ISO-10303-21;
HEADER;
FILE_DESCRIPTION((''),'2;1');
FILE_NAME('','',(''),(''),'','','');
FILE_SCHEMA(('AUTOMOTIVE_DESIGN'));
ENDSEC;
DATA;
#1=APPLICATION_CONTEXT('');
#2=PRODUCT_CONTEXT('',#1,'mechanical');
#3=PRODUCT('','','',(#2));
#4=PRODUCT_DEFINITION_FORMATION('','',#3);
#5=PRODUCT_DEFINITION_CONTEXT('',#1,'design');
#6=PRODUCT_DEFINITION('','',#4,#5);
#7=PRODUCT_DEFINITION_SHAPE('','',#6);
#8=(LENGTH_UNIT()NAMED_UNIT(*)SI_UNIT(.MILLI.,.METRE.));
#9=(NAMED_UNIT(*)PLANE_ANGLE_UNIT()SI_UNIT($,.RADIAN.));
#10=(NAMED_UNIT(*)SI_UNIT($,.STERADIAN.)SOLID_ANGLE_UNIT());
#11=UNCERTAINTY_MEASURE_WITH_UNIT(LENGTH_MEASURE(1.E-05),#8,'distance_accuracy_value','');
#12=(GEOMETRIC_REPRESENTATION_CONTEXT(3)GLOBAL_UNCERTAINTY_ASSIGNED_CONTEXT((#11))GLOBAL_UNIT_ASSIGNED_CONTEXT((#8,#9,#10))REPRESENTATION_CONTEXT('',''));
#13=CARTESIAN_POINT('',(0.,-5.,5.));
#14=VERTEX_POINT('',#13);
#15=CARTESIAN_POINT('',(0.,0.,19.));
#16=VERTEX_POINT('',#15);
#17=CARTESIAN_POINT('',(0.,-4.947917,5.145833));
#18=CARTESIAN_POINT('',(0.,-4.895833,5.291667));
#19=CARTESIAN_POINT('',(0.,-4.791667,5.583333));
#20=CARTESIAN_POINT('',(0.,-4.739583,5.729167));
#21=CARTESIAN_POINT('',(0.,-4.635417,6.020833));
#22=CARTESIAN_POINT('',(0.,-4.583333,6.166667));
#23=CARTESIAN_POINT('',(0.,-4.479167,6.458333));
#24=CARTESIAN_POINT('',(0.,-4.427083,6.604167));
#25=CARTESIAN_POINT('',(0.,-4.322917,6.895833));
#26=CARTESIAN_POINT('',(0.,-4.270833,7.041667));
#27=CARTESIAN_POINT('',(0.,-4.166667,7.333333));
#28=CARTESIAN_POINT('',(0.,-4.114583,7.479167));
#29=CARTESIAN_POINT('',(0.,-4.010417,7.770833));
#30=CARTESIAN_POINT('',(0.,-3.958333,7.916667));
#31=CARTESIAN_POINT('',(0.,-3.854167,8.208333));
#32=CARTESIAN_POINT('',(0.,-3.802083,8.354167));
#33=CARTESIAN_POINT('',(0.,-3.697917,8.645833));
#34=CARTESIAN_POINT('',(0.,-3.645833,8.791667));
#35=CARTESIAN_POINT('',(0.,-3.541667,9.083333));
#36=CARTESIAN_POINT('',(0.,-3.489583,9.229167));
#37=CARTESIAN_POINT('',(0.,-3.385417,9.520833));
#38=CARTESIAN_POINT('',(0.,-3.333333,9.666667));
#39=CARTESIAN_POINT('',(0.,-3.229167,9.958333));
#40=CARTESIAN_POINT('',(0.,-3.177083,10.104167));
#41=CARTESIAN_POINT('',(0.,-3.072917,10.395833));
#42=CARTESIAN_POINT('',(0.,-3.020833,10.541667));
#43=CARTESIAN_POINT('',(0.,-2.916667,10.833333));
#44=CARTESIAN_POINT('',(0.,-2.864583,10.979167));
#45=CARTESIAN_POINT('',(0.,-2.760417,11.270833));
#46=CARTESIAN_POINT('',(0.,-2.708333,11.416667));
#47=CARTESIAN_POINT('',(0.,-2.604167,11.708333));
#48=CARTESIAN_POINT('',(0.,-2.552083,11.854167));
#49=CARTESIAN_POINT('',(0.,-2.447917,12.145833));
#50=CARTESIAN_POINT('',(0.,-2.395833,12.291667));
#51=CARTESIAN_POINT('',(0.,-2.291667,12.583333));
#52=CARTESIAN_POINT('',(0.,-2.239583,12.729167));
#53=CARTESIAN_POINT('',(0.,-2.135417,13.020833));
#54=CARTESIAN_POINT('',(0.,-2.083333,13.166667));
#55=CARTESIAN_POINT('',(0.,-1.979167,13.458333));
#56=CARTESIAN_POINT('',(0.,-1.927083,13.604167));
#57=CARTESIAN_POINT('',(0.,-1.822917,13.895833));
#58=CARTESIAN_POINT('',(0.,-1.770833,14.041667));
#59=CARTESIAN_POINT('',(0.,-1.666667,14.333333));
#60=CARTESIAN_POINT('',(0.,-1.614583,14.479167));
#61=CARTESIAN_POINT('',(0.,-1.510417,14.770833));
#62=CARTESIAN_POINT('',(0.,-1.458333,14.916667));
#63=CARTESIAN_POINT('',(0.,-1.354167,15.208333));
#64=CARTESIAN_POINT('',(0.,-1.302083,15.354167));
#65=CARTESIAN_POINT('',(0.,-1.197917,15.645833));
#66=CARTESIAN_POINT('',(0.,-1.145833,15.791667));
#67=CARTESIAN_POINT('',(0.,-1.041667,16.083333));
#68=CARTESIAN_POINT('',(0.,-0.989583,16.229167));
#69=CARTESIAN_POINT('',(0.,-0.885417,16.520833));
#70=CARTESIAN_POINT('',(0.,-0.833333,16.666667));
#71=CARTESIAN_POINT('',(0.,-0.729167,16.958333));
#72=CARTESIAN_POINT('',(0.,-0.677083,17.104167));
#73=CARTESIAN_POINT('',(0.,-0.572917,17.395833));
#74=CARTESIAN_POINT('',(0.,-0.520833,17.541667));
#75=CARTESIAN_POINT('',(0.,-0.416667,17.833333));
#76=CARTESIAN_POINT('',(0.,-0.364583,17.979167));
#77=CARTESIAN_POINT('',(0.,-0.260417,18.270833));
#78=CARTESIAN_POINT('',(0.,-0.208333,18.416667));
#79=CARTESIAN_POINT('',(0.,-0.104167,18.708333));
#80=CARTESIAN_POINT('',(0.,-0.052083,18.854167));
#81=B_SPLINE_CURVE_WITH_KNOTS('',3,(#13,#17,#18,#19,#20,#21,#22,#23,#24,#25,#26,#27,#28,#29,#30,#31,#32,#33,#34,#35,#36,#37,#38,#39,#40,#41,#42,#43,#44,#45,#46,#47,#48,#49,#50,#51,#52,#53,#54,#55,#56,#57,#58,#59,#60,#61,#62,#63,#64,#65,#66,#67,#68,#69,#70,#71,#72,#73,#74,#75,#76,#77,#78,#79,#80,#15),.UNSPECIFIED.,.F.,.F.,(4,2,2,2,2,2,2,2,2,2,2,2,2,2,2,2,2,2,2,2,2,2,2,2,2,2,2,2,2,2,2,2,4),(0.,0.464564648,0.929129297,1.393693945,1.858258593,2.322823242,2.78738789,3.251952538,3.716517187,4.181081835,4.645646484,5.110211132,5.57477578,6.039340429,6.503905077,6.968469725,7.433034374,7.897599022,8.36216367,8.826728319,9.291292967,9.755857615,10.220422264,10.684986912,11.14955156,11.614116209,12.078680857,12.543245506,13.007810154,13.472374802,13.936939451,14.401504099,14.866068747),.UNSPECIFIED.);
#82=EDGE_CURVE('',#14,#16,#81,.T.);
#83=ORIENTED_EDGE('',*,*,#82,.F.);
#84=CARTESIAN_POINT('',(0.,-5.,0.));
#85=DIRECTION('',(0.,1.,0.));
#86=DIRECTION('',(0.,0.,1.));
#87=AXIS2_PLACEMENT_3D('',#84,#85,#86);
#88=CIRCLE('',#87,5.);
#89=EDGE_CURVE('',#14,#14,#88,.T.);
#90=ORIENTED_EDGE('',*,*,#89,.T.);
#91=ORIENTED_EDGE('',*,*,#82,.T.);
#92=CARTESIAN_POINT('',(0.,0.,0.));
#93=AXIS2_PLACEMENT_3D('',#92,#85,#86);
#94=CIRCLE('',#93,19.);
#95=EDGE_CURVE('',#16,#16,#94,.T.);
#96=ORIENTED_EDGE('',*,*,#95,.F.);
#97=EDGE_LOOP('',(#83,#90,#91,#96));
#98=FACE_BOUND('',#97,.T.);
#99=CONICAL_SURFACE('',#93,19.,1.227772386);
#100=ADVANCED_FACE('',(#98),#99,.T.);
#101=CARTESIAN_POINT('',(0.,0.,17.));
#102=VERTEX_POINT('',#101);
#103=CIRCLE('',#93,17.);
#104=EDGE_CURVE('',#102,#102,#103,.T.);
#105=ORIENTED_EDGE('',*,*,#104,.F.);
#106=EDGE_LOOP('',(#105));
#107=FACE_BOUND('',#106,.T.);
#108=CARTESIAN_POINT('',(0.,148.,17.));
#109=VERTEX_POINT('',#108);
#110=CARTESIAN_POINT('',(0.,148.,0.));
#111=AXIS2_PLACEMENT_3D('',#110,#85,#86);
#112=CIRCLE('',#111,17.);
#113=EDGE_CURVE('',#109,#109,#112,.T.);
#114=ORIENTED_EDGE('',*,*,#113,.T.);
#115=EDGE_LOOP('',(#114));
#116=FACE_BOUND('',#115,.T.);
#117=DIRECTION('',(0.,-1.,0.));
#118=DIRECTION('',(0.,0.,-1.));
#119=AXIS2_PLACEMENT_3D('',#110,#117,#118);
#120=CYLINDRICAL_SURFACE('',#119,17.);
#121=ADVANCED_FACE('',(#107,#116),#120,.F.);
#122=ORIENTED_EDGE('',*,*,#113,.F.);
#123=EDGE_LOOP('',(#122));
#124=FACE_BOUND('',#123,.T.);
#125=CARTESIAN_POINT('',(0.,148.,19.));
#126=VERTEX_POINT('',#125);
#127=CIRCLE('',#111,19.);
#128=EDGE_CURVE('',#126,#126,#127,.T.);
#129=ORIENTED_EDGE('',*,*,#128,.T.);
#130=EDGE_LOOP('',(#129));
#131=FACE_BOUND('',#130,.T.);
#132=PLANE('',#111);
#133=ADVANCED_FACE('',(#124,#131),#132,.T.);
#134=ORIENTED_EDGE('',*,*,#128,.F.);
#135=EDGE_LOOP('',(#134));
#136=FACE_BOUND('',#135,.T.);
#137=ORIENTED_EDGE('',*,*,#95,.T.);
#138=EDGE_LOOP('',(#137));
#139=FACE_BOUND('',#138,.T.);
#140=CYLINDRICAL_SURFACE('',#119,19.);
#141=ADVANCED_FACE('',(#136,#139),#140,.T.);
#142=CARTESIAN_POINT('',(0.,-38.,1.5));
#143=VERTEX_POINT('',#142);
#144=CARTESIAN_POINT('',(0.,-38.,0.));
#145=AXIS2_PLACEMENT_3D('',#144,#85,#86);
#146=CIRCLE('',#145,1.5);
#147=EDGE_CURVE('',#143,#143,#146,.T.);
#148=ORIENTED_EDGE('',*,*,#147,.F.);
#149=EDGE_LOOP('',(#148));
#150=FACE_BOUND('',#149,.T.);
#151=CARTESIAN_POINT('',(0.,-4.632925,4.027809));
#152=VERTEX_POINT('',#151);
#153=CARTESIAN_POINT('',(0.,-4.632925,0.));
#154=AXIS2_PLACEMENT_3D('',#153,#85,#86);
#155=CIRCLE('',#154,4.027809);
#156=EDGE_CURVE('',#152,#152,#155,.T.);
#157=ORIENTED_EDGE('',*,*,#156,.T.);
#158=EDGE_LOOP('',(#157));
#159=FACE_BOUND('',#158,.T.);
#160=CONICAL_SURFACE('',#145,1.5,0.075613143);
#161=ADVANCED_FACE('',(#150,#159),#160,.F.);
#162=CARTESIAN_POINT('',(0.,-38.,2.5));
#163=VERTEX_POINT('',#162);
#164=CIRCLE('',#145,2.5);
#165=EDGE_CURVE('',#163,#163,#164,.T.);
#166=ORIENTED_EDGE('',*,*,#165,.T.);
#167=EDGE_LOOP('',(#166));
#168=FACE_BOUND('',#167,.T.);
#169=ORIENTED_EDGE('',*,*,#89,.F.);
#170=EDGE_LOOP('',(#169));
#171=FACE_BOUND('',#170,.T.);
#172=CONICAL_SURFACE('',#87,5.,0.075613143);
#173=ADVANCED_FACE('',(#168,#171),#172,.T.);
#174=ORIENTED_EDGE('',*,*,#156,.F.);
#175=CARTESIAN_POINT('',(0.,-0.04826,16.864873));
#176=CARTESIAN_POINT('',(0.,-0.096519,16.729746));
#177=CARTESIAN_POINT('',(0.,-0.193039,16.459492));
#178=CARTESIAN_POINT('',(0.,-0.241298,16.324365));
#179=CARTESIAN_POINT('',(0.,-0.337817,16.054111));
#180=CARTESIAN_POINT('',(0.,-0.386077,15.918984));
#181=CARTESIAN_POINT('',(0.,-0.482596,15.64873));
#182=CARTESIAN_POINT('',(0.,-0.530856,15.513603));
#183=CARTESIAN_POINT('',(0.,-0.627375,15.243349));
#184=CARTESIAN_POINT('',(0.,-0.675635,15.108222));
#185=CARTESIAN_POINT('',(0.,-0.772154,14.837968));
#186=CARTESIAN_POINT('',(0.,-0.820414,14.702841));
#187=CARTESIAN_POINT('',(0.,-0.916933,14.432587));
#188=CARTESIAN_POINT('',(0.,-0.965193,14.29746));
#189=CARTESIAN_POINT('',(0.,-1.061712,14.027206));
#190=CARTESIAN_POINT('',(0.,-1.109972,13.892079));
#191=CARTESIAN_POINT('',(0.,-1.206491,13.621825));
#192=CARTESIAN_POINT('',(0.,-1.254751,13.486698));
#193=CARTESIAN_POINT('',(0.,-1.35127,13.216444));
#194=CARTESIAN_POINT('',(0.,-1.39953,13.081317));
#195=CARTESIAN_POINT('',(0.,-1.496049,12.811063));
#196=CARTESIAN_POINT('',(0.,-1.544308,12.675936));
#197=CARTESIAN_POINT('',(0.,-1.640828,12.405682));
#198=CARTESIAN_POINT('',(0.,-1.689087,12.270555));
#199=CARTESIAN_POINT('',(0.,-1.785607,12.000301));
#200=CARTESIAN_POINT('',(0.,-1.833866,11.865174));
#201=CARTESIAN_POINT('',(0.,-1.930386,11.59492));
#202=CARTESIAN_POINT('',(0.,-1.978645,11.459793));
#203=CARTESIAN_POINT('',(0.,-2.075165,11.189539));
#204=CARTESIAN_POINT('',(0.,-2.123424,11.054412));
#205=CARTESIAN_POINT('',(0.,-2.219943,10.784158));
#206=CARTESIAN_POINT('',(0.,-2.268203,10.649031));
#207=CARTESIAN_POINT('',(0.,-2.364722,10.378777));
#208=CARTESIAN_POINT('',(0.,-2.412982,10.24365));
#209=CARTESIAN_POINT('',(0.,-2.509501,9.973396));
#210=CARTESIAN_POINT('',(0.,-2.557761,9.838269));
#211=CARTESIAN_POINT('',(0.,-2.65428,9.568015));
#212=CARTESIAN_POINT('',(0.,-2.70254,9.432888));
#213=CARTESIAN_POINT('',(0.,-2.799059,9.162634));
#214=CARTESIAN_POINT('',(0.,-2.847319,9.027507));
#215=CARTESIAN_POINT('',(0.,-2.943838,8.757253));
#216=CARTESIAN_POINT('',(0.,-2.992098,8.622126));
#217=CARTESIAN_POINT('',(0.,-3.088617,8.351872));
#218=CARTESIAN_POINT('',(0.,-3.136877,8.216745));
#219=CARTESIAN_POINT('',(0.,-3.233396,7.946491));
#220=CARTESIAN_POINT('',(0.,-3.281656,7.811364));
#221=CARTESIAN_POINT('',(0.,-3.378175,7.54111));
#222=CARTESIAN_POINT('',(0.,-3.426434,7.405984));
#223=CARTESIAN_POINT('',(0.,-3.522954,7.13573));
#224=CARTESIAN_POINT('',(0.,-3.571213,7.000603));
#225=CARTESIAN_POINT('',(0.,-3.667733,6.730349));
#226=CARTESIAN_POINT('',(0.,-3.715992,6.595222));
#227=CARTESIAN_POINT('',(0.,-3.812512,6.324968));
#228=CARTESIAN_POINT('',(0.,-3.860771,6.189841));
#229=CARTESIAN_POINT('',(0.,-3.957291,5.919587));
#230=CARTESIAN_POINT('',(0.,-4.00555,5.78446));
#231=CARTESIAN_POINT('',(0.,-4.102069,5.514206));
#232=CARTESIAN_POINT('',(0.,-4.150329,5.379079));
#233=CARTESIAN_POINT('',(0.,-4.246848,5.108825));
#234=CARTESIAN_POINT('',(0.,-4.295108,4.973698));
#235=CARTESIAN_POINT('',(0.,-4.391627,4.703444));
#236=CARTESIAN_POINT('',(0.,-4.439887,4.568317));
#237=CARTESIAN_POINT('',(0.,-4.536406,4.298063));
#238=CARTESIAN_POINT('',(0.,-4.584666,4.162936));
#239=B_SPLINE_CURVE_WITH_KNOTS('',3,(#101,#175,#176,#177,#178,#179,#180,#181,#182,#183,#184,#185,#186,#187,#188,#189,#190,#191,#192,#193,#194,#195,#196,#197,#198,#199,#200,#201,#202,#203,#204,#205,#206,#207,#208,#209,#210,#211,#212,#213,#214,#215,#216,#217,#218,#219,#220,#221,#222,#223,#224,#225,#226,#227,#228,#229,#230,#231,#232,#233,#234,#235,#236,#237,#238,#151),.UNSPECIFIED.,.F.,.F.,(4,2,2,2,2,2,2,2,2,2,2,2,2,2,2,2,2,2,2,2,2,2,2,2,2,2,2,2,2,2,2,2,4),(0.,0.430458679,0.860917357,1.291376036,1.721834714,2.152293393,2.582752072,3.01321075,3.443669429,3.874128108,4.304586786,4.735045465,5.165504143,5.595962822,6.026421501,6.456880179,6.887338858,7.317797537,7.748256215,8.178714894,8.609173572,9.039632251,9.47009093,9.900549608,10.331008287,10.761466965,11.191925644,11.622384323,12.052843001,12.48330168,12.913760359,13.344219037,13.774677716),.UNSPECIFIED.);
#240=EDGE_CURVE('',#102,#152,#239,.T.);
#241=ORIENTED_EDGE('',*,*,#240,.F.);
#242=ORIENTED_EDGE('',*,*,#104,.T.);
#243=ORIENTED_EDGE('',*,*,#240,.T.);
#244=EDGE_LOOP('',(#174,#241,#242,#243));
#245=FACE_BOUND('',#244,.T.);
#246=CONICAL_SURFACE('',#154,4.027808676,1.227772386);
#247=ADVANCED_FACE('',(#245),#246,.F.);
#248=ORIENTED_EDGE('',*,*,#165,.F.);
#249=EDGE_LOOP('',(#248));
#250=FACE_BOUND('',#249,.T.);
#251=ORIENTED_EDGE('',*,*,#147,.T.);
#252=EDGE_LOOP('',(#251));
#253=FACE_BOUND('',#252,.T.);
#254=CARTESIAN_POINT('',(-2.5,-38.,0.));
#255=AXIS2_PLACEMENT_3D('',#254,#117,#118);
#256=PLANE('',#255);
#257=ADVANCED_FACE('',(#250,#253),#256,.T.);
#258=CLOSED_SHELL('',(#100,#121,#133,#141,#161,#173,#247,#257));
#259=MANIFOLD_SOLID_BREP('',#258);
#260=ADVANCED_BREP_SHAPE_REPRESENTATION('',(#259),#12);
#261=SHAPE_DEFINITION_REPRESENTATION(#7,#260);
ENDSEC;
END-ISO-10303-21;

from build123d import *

# Parameters (mm, degrees)
SKETCH_1_R      = 19
SKETCH_1_R_2    = 17
EXTRUDE_1_DEPTH = 148


with BuildPart() as part:
    # 草图1 → 凸台-拉伸1 (new body)
    with BuildSketch(Plane(origin=(0, 0, 0), x_dir=(1, 0, 0), z_dir=(0, 1, 0))):
        with Locations(Location((0, 0, 0), (0, 0, 270))):
            Circle(SKETCH_1_R)
        with Locations(Location((0, 0, 0), (0, 0, 270))):
            Circle(SKETCH_1_R_2, mode=Mode.SUBTRACT)
    extrude(amount=EXTRUDE_1_DEPTH)

    # 草图6 → 旋转1 (revolve)
    with BuildSketch(Plane.XY, mode=Mode.PRIVATE) as revolve_1_sk:
        Polygon((-19, 0), (-17, 0), (-4.027808676, -4.632925473), (-1.5, -38), (-2.5, -38), (-5, -5), align=None)
    revolve(revolve_1_sk.sketch.rotate(Axis((0, 0, 0), (0, -1, 0)), 270), axis=Axis((0, 0, 0), (0, -1, 0)))


solid = part.part
